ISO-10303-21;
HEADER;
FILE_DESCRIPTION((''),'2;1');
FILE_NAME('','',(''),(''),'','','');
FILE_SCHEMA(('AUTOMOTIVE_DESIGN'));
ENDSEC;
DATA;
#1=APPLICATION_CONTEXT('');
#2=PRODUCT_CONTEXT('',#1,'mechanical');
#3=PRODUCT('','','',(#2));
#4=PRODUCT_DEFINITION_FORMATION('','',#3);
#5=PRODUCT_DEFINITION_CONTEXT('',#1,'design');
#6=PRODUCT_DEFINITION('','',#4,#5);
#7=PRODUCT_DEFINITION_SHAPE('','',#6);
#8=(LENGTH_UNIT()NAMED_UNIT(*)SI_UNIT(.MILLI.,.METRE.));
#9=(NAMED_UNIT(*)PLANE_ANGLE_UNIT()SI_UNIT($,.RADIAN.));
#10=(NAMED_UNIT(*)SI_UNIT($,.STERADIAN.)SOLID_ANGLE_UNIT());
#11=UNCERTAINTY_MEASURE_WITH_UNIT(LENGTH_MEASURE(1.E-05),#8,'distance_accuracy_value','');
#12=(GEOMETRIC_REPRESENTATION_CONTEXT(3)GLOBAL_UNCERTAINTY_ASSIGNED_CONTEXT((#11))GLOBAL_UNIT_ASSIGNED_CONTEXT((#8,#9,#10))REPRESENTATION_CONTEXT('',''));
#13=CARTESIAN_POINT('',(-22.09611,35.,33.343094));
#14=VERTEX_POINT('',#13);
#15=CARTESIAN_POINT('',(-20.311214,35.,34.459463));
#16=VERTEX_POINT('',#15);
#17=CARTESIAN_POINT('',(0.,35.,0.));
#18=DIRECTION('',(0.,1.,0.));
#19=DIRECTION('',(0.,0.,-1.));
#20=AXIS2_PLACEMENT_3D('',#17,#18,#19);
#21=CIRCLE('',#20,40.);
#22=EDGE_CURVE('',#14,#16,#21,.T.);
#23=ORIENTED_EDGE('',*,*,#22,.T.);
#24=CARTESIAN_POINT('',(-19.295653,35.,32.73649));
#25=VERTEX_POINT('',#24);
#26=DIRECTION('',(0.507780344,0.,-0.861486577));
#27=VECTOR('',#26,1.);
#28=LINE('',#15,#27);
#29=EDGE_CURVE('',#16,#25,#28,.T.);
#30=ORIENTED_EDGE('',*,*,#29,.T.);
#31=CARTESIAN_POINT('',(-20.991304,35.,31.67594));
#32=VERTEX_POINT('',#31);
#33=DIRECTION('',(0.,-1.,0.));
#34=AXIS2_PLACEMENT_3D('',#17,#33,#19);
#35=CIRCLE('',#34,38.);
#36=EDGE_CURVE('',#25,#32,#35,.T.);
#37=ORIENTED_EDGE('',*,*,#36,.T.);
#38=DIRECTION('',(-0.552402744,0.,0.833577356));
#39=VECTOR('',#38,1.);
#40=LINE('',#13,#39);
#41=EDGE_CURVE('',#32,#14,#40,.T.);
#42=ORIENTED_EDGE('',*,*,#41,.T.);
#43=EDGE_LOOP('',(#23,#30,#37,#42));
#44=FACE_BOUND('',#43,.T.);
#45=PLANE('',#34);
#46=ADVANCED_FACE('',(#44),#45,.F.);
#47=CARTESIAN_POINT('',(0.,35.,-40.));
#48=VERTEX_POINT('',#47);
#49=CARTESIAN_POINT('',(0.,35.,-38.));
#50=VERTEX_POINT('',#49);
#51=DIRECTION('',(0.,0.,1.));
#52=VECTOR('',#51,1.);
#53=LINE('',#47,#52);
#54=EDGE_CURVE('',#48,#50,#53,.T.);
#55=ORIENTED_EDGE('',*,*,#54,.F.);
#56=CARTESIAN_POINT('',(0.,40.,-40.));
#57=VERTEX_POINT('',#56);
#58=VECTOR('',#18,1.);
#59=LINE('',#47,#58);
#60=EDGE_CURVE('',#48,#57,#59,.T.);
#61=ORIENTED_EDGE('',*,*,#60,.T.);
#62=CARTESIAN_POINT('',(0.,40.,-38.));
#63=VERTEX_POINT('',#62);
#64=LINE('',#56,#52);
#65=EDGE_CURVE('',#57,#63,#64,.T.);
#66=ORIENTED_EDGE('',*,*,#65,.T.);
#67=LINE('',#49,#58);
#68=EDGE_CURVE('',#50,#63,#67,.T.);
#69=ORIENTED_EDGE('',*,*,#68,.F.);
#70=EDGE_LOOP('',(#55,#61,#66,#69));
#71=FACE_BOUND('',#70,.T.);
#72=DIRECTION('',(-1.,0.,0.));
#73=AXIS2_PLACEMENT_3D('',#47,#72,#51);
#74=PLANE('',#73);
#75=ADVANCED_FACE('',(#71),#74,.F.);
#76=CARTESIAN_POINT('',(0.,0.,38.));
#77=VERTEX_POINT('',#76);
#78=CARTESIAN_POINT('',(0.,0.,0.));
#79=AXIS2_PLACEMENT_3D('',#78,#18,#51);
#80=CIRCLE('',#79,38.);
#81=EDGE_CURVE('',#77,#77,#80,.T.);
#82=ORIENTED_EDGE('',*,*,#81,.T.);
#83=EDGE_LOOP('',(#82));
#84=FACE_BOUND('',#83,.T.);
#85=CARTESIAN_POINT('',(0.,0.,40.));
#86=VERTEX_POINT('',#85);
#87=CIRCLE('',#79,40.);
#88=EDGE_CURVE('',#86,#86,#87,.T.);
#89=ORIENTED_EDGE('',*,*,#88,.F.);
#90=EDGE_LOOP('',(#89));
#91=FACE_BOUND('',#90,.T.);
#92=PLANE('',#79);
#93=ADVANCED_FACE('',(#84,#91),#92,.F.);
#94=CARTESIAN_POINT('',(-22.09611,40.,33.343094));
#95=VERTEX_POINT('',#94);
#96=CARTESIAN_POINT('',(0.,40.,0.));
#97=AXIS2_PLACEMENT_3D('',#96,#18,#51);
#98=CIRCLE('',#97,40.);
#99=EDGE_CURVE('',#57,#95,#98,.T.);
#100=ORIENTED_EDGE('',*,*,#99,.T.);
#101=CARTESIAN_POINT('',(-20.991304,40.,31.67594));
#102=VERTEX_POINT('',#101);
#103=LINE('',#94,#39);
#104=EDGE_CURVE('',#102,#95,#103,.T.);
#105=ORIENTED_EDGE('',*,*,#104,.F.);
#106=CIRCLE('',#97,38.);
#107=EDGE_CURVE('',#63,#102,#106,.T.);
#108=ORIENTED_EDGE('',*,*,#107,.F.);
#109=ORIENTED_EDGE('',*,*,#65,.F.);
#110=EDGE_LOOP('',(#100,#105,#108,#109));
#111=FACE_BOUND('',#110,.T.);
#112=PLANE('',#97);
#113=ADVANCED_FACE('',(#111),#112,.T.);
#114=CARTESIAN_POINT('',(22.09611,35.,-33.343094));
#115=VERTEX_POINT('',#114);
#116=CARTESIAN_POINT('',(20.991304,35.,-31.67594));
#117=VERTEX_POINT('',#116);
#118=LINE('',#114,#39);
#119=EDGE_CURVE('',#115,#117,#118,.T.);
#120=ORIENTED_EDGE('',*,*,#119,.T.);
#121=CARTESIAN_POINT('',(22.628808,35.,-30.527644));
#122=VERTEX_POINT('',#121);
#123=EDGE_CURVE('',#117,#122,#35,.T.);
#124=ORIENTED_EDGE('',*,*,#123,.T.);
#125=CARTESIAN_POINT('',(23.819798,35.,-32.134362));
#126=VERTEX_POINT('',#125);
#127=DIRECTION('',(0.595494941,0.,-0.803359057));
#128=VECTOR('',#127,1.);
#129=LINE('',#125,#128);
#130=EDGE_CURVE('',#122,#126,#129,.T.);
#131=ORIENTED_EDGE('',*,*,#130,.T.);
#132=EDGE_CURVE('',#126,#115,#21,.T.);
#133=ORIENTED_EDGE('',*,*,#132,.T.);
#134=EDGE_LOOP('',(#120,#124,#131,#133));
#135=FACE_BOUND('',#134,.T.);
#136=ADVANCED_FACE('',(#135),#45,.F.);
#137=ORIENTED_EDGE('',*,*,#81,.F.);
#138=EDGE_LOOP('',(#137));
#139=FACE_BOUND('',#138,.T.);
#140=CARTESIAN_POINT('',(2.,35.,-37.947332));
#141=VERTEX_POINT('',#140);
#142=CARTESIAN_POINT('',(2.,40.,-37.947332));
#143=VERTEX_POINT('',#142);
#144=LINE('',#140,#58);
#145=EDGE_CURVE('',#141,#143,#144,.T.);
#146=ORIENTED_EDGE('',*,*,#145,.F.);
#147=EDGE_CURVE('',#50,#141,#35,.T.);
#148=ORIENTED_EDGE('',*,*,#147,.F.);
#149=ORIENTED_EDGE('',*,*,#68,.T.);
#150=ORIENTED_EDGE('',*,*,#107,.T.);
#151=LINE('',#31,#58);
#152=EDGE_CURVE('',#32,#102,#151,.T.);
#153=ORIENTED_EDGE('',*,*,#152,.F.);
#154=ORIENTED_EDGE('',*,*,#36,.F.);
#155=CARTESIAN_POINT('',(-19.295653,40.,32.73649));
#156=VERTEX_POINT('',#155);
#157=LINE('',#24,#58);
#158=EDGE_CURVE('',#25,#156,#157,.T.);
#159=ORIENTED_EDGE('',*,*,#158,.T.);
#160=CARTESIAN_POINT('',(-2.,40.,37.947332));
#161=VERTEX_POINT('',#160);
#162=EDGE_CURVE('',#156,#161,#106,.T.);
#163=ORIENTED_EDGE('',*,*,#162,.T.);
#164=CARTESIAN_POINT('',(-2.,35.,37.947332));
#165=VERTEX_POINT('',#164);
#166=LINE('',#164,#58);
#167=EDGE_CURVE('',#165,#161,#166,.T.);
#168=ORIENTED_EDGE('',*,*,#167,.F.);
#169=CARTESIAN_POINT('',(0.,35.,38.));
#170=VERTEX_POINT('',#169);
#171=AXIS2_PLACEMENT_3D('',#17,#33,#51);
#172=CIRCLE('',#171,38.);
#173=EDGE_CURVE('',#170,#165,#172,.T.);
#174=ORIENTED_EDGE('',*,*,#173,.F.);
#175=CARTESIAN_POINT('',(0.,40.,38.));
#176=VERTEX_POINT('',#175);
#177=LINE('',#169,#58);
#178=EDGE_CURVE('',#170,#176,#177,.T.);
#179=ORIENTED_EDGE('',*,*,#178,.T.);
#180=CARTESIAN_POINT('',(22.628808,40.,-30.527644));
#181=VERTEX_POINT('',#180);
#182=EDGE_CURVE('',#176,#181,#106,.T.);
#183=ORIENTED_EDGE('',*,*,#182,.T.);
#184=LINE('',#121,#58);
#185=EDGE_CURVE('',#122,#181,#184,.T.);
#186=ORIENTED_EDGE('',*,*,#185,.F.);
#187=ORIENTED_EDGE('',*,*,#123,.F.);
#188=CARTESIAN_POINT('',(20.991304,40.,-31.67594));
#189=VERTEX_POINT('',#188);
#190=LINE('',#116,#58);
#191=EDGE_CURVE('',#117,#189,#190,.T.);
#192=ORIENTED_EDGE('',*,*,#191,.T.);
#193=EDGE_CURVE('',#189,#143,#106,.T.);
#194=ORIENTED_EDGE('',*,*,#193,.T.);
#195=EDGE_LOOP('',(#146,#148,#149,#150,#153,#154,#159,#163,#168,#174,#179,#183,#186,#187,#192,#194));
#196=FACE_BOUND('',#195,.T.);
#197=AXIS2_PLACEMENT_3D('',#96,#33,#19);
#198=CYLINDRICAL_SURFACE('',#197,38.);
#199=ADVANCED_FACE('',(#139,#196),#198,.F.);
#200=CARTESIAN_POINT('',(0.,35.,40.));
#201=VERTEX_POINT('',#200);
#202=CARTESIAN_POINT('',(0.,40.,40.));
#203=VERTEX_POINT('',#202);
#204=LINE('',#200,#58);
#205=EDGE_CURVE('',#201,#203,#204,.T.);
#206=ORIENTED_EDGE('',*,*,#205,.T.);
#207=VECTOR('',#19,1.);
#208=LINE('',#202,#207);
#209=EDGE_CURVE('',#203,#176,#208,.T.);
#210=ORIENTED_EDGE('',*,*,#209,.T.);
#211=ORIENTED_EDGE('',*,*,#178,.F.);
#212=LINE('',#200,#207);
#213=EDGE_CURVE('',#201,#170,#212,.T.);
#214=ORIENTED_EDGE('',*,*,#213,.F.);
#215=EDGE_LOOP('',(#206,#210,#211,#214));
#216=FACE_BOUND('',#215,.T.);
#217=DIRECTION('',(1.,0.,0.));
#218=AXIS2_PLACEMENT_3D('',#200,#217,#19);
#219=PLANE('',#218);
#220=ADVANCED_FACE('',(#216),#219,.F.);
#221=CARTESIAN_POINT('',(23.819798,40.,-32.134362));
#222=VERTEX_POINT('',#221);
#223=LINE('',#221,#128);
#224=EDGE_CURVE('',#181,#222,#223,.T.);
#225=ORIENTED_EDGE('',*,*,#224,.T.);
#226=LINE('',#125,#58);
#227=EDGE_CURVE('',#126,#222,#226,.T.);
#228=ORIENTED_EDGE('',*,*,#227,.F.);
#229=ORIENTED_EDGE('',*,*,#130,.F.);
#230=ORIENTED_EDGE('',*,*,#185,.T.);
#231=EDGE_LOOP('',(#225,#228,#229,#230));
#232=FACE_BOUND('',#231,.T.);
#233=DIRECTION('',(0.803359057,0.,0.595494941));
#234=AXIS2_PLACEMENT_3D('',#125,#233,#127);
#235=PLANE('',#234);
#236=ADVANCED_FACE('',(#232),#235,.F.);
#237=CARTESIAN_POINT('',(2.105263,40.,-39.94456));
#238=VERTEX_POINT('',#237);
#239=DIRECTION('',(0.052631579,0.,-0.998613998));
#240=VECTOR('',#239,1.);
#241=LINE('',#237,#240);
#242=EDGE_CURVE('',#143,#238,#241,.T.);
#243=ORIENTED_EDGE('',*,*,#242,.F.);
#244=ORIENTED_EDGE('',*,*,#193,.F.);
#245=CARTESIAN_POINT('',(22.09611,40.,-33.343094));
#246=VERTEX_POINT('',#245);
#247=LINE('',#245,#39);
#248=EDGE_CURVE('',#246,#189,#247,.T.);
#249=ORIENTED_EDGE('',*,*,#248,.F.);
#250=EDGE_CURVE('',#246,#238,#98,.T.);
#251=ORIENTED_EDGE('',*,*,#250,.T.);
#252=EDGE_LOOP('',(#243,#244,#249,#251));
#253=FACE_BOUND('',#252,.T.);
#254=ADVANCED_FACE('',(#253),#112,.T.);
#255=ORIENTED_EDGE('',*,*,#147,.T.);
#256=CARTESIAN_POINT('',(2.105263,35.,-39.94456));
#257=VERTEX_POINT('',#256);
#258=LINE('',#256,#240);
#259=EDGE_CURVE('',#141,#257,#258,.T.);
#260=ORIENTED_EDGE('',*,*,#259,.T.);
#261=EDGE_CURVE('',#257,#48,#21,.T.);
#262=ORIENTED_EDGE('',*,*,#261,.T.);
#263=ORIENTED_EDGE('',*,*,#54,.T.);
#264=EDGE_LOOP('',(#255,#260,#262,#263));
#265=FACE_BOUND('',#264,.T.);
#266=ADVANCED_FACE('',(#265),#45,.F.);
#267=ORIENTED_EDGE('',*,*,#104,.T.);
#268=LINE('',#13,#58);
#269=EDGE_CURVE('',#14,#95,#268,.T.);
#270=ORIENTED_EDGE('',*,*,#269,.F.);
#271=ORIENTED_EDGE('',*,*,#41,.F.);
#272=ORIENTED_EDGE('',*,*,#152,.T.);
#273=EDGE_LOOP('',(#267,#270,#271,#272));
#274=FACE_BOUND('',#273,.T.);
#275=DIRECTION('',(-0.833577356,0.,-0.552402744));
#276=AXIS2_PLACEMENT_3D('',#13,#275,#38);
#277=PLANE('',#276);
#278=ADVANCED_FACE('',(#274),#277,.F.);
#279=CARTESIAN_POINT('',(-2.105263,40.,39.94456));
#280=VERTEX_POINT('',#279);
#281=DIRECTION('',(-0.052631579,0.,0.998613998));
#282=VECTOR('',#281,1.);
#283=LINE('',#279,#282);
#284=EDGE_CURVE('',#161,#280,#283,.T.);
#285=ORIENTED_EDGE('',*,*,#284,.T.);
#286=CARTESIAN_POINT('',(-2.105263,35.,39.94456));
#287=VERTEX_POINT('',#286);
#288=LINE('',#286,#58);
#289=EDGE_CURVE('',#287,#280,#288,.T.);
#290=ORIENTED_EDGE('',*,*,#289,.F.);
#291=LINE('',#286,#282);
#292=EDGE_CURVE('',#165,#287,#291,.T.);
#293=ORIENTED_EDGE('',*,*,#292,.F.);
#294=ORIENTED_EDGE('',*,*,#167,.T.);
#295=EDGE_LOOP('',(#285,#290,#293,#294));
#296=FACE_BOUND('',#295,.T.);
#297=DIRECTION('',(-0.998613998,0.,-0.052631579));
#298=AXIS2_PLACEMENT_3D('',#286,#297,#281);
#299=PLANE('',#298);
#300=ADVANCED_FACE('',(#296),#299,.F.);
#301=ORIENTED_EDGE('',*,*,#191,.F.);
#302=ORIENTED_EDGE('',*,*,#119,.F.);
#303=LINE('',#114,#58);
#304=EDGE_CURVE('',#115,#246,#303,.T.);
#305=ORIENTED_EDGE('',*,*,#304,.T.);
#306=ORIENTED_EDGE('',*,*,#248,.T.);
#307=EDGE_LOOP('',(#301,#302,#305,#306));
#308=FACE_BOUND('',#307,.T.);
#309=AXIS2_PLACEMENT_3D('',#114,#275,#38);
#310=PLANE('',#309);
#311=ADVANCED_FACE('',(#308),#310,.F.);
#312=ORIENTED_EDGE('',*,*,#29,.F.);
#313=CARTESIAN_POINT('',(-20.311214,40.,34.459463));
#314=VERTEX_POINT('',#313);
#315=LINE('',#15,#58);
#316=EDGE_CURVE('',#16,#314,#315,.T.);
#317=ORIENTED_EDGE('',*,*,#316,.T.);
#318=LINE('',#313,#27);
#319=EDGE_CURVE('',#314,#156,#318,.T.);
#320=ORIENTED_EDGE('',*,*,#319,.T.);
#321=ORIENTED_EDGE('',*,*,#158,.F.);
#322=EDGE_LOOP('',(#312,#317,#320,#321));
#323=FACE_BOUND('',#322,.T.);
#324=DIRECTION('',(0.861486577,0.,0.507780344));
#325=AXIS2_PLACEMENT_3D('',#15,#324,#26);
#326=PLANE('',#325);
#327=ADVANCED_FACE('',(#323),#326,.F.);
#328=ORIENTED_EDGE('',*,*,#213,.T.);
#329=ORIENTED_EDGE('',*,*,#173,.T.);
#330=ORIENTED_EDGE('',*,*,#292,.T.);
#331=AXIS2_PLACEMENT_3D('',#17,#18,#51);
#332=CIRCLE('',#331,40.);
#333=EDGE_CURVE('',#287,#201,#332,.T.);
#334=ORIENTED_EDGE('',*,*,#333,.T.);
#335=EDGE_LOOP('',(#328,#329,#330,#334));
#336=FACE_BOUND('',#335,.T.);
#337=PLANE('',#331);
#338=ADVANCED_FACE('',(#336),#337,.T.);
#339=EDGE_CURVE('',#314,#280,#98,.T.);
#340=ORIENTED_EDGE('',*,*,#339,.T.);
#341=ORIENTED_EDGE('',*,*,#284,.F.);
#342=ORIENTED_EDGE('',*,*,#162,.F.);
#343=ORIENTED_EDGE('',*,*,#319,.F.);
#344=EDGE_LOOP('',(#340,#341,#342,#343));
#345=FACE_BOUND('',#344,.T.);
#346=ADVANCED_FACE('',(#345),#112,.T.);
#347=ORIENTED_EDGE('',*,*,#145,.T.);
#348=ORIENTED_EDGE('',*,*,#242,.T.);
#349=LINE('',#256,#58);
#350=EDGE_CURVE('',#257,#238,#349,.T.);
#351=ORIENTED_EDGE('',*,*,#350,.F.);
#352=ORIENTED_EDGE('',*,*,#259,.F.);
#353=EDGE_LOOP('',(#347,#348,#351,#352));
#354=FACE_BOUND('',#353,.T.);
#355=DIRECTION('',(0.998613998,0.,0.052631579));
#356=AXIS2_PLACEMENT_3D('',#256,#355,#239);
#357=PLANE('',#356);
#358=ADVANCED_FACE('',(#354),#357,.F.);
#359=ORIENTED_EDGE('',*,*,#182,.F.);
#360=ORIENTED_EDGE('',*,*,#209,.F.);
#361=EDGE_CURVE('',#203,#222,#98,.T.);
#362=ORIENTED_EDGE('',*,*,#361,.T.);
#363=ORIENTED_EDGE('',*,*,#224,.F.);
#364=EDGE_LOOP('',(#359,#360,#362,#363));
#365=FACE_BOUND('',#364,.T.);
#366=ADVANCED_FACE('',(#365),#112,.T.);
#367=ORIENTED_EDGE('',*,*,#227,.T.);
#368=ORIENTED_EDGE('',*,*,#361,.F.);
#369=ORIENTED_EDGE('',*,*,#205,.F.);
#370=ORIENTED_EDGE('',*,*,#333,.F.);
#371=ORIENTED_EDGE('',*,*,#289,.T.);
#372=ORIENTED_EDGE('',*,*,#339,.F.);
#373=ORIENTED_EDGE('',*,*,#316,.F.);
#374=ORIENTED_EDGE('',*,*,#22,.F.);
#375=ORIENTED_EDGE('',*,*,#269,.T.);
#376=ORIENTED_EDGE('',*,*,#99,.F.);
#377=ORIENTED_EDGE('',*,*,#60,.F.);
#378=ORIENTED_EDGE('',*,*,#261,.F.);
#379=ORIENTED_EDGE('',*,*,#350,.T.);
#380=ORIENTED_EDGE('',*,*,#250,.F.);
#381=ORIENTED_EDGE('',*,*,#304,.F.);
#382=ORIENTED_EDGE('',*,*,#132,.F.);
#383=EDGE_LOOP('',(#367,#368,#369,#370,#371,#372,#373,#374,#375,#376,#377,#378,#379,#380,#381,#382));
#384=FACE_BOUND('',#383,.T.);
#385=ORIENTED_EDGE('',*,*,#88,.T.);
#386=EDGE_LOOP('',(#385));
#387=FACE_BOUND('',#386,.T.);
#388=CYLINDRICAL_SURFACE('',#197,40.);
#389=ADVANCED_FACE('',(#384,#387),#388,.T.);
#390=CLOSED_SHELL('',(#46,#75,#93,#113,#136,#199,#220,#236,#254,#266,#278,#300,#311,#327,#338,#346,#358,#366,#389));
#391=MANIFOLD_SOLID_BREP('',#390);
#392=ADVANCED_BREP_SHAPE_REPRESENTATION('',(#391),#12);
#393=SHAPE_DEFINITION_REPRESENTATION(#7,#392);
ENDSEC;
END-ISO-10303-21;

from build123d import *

# Parameters (mm, degrees)
ESQUISSE1_R      = 40
ESQUISSE1_R_2    = 38
EXTRUSION1_DEPTH = 40
EXTRUSION2_DEPTH = 5


with BuildPart() as part:
    # Esquisse1 → Extrusion1 (new body)
    with BuildSketch(Plane(origin=(0, 0, 0), x_dir=(1, 0, 0), z_dir=(0, 1, 0))):
        Circle(ESQUISSE1_R)
        Circle(ESQUISSE1_R_2, mode=Mode.SUBTRACT)
    extrude(amount=EXTRUSION1_DEPTH)

    # Esquisse2 → Extrusion2 (cut)
    with BuildSketch(Plane(origin=(0, 40, 0), x_dir=(1, 0, 0), z_dir=(0, 1, 0))):
        with BuildLine():
            Line((0, -40), (0, -38))
            ThreePointArc((0, -38), (-1.000346681, -37.986830699), (-2, -37.947331922))
            Line((-2, -37.947331922), (-2.105263158, -39.944559918))
            ThreePointArc((-2.105263158, -39.944559918), (-1.052996506, -39.986137577), (0, -40))
        make_face()
        with BuildLine():
            Line((0, 40), (0, 38))
            ThreePointArc((0, 38), (1.000346681, 37.986830699), (2, 37.947331922))
            Line((2, 37.947331922), (2.105263158, 39.944559918))
            ThreePointArc((2.105263158, 39.944559918), (1.052996506, 39.986137577), (0, 40))
        make_face()
        with BuildLine():
            Line((22.096109748, 33.343094247), (20.991304261, 31.675939535))
            ThreePointArc((20.991304261, 31.675939535), (21.817611901, 31.112566769), (22.628807775, 30.527644172))
            Line((22.628807775, 30.527644172), (23.819797658, 32.134362286))
            ThreePointArc((23.819797658, 32.134362286), (22.965907264, 32.750070283), (22.096109748, 33.343094247))
        make_face()
        with BuildLine():
            Line((-20.311213778, -34.459463067), (-19.295653089, -32.736489913))
            ThreePointArc((-19.295653089, -32.736489913), (-20.150457189, -32.217372256), (-20.991304261, -31.675939535))
            Line((-20.991304261, -31.675939535), (-22.096109748, -33.343094247))
            ThreePointArc((-22.096109748, -33.343094247), (-21.211007567, -33.913023427), (-20.311213778, -34.459463067))
        make_face()
    extrude(amount=-EXTRUSION2_DEPTH, mode=Mode.SUBTRACT)


solid = part.part
